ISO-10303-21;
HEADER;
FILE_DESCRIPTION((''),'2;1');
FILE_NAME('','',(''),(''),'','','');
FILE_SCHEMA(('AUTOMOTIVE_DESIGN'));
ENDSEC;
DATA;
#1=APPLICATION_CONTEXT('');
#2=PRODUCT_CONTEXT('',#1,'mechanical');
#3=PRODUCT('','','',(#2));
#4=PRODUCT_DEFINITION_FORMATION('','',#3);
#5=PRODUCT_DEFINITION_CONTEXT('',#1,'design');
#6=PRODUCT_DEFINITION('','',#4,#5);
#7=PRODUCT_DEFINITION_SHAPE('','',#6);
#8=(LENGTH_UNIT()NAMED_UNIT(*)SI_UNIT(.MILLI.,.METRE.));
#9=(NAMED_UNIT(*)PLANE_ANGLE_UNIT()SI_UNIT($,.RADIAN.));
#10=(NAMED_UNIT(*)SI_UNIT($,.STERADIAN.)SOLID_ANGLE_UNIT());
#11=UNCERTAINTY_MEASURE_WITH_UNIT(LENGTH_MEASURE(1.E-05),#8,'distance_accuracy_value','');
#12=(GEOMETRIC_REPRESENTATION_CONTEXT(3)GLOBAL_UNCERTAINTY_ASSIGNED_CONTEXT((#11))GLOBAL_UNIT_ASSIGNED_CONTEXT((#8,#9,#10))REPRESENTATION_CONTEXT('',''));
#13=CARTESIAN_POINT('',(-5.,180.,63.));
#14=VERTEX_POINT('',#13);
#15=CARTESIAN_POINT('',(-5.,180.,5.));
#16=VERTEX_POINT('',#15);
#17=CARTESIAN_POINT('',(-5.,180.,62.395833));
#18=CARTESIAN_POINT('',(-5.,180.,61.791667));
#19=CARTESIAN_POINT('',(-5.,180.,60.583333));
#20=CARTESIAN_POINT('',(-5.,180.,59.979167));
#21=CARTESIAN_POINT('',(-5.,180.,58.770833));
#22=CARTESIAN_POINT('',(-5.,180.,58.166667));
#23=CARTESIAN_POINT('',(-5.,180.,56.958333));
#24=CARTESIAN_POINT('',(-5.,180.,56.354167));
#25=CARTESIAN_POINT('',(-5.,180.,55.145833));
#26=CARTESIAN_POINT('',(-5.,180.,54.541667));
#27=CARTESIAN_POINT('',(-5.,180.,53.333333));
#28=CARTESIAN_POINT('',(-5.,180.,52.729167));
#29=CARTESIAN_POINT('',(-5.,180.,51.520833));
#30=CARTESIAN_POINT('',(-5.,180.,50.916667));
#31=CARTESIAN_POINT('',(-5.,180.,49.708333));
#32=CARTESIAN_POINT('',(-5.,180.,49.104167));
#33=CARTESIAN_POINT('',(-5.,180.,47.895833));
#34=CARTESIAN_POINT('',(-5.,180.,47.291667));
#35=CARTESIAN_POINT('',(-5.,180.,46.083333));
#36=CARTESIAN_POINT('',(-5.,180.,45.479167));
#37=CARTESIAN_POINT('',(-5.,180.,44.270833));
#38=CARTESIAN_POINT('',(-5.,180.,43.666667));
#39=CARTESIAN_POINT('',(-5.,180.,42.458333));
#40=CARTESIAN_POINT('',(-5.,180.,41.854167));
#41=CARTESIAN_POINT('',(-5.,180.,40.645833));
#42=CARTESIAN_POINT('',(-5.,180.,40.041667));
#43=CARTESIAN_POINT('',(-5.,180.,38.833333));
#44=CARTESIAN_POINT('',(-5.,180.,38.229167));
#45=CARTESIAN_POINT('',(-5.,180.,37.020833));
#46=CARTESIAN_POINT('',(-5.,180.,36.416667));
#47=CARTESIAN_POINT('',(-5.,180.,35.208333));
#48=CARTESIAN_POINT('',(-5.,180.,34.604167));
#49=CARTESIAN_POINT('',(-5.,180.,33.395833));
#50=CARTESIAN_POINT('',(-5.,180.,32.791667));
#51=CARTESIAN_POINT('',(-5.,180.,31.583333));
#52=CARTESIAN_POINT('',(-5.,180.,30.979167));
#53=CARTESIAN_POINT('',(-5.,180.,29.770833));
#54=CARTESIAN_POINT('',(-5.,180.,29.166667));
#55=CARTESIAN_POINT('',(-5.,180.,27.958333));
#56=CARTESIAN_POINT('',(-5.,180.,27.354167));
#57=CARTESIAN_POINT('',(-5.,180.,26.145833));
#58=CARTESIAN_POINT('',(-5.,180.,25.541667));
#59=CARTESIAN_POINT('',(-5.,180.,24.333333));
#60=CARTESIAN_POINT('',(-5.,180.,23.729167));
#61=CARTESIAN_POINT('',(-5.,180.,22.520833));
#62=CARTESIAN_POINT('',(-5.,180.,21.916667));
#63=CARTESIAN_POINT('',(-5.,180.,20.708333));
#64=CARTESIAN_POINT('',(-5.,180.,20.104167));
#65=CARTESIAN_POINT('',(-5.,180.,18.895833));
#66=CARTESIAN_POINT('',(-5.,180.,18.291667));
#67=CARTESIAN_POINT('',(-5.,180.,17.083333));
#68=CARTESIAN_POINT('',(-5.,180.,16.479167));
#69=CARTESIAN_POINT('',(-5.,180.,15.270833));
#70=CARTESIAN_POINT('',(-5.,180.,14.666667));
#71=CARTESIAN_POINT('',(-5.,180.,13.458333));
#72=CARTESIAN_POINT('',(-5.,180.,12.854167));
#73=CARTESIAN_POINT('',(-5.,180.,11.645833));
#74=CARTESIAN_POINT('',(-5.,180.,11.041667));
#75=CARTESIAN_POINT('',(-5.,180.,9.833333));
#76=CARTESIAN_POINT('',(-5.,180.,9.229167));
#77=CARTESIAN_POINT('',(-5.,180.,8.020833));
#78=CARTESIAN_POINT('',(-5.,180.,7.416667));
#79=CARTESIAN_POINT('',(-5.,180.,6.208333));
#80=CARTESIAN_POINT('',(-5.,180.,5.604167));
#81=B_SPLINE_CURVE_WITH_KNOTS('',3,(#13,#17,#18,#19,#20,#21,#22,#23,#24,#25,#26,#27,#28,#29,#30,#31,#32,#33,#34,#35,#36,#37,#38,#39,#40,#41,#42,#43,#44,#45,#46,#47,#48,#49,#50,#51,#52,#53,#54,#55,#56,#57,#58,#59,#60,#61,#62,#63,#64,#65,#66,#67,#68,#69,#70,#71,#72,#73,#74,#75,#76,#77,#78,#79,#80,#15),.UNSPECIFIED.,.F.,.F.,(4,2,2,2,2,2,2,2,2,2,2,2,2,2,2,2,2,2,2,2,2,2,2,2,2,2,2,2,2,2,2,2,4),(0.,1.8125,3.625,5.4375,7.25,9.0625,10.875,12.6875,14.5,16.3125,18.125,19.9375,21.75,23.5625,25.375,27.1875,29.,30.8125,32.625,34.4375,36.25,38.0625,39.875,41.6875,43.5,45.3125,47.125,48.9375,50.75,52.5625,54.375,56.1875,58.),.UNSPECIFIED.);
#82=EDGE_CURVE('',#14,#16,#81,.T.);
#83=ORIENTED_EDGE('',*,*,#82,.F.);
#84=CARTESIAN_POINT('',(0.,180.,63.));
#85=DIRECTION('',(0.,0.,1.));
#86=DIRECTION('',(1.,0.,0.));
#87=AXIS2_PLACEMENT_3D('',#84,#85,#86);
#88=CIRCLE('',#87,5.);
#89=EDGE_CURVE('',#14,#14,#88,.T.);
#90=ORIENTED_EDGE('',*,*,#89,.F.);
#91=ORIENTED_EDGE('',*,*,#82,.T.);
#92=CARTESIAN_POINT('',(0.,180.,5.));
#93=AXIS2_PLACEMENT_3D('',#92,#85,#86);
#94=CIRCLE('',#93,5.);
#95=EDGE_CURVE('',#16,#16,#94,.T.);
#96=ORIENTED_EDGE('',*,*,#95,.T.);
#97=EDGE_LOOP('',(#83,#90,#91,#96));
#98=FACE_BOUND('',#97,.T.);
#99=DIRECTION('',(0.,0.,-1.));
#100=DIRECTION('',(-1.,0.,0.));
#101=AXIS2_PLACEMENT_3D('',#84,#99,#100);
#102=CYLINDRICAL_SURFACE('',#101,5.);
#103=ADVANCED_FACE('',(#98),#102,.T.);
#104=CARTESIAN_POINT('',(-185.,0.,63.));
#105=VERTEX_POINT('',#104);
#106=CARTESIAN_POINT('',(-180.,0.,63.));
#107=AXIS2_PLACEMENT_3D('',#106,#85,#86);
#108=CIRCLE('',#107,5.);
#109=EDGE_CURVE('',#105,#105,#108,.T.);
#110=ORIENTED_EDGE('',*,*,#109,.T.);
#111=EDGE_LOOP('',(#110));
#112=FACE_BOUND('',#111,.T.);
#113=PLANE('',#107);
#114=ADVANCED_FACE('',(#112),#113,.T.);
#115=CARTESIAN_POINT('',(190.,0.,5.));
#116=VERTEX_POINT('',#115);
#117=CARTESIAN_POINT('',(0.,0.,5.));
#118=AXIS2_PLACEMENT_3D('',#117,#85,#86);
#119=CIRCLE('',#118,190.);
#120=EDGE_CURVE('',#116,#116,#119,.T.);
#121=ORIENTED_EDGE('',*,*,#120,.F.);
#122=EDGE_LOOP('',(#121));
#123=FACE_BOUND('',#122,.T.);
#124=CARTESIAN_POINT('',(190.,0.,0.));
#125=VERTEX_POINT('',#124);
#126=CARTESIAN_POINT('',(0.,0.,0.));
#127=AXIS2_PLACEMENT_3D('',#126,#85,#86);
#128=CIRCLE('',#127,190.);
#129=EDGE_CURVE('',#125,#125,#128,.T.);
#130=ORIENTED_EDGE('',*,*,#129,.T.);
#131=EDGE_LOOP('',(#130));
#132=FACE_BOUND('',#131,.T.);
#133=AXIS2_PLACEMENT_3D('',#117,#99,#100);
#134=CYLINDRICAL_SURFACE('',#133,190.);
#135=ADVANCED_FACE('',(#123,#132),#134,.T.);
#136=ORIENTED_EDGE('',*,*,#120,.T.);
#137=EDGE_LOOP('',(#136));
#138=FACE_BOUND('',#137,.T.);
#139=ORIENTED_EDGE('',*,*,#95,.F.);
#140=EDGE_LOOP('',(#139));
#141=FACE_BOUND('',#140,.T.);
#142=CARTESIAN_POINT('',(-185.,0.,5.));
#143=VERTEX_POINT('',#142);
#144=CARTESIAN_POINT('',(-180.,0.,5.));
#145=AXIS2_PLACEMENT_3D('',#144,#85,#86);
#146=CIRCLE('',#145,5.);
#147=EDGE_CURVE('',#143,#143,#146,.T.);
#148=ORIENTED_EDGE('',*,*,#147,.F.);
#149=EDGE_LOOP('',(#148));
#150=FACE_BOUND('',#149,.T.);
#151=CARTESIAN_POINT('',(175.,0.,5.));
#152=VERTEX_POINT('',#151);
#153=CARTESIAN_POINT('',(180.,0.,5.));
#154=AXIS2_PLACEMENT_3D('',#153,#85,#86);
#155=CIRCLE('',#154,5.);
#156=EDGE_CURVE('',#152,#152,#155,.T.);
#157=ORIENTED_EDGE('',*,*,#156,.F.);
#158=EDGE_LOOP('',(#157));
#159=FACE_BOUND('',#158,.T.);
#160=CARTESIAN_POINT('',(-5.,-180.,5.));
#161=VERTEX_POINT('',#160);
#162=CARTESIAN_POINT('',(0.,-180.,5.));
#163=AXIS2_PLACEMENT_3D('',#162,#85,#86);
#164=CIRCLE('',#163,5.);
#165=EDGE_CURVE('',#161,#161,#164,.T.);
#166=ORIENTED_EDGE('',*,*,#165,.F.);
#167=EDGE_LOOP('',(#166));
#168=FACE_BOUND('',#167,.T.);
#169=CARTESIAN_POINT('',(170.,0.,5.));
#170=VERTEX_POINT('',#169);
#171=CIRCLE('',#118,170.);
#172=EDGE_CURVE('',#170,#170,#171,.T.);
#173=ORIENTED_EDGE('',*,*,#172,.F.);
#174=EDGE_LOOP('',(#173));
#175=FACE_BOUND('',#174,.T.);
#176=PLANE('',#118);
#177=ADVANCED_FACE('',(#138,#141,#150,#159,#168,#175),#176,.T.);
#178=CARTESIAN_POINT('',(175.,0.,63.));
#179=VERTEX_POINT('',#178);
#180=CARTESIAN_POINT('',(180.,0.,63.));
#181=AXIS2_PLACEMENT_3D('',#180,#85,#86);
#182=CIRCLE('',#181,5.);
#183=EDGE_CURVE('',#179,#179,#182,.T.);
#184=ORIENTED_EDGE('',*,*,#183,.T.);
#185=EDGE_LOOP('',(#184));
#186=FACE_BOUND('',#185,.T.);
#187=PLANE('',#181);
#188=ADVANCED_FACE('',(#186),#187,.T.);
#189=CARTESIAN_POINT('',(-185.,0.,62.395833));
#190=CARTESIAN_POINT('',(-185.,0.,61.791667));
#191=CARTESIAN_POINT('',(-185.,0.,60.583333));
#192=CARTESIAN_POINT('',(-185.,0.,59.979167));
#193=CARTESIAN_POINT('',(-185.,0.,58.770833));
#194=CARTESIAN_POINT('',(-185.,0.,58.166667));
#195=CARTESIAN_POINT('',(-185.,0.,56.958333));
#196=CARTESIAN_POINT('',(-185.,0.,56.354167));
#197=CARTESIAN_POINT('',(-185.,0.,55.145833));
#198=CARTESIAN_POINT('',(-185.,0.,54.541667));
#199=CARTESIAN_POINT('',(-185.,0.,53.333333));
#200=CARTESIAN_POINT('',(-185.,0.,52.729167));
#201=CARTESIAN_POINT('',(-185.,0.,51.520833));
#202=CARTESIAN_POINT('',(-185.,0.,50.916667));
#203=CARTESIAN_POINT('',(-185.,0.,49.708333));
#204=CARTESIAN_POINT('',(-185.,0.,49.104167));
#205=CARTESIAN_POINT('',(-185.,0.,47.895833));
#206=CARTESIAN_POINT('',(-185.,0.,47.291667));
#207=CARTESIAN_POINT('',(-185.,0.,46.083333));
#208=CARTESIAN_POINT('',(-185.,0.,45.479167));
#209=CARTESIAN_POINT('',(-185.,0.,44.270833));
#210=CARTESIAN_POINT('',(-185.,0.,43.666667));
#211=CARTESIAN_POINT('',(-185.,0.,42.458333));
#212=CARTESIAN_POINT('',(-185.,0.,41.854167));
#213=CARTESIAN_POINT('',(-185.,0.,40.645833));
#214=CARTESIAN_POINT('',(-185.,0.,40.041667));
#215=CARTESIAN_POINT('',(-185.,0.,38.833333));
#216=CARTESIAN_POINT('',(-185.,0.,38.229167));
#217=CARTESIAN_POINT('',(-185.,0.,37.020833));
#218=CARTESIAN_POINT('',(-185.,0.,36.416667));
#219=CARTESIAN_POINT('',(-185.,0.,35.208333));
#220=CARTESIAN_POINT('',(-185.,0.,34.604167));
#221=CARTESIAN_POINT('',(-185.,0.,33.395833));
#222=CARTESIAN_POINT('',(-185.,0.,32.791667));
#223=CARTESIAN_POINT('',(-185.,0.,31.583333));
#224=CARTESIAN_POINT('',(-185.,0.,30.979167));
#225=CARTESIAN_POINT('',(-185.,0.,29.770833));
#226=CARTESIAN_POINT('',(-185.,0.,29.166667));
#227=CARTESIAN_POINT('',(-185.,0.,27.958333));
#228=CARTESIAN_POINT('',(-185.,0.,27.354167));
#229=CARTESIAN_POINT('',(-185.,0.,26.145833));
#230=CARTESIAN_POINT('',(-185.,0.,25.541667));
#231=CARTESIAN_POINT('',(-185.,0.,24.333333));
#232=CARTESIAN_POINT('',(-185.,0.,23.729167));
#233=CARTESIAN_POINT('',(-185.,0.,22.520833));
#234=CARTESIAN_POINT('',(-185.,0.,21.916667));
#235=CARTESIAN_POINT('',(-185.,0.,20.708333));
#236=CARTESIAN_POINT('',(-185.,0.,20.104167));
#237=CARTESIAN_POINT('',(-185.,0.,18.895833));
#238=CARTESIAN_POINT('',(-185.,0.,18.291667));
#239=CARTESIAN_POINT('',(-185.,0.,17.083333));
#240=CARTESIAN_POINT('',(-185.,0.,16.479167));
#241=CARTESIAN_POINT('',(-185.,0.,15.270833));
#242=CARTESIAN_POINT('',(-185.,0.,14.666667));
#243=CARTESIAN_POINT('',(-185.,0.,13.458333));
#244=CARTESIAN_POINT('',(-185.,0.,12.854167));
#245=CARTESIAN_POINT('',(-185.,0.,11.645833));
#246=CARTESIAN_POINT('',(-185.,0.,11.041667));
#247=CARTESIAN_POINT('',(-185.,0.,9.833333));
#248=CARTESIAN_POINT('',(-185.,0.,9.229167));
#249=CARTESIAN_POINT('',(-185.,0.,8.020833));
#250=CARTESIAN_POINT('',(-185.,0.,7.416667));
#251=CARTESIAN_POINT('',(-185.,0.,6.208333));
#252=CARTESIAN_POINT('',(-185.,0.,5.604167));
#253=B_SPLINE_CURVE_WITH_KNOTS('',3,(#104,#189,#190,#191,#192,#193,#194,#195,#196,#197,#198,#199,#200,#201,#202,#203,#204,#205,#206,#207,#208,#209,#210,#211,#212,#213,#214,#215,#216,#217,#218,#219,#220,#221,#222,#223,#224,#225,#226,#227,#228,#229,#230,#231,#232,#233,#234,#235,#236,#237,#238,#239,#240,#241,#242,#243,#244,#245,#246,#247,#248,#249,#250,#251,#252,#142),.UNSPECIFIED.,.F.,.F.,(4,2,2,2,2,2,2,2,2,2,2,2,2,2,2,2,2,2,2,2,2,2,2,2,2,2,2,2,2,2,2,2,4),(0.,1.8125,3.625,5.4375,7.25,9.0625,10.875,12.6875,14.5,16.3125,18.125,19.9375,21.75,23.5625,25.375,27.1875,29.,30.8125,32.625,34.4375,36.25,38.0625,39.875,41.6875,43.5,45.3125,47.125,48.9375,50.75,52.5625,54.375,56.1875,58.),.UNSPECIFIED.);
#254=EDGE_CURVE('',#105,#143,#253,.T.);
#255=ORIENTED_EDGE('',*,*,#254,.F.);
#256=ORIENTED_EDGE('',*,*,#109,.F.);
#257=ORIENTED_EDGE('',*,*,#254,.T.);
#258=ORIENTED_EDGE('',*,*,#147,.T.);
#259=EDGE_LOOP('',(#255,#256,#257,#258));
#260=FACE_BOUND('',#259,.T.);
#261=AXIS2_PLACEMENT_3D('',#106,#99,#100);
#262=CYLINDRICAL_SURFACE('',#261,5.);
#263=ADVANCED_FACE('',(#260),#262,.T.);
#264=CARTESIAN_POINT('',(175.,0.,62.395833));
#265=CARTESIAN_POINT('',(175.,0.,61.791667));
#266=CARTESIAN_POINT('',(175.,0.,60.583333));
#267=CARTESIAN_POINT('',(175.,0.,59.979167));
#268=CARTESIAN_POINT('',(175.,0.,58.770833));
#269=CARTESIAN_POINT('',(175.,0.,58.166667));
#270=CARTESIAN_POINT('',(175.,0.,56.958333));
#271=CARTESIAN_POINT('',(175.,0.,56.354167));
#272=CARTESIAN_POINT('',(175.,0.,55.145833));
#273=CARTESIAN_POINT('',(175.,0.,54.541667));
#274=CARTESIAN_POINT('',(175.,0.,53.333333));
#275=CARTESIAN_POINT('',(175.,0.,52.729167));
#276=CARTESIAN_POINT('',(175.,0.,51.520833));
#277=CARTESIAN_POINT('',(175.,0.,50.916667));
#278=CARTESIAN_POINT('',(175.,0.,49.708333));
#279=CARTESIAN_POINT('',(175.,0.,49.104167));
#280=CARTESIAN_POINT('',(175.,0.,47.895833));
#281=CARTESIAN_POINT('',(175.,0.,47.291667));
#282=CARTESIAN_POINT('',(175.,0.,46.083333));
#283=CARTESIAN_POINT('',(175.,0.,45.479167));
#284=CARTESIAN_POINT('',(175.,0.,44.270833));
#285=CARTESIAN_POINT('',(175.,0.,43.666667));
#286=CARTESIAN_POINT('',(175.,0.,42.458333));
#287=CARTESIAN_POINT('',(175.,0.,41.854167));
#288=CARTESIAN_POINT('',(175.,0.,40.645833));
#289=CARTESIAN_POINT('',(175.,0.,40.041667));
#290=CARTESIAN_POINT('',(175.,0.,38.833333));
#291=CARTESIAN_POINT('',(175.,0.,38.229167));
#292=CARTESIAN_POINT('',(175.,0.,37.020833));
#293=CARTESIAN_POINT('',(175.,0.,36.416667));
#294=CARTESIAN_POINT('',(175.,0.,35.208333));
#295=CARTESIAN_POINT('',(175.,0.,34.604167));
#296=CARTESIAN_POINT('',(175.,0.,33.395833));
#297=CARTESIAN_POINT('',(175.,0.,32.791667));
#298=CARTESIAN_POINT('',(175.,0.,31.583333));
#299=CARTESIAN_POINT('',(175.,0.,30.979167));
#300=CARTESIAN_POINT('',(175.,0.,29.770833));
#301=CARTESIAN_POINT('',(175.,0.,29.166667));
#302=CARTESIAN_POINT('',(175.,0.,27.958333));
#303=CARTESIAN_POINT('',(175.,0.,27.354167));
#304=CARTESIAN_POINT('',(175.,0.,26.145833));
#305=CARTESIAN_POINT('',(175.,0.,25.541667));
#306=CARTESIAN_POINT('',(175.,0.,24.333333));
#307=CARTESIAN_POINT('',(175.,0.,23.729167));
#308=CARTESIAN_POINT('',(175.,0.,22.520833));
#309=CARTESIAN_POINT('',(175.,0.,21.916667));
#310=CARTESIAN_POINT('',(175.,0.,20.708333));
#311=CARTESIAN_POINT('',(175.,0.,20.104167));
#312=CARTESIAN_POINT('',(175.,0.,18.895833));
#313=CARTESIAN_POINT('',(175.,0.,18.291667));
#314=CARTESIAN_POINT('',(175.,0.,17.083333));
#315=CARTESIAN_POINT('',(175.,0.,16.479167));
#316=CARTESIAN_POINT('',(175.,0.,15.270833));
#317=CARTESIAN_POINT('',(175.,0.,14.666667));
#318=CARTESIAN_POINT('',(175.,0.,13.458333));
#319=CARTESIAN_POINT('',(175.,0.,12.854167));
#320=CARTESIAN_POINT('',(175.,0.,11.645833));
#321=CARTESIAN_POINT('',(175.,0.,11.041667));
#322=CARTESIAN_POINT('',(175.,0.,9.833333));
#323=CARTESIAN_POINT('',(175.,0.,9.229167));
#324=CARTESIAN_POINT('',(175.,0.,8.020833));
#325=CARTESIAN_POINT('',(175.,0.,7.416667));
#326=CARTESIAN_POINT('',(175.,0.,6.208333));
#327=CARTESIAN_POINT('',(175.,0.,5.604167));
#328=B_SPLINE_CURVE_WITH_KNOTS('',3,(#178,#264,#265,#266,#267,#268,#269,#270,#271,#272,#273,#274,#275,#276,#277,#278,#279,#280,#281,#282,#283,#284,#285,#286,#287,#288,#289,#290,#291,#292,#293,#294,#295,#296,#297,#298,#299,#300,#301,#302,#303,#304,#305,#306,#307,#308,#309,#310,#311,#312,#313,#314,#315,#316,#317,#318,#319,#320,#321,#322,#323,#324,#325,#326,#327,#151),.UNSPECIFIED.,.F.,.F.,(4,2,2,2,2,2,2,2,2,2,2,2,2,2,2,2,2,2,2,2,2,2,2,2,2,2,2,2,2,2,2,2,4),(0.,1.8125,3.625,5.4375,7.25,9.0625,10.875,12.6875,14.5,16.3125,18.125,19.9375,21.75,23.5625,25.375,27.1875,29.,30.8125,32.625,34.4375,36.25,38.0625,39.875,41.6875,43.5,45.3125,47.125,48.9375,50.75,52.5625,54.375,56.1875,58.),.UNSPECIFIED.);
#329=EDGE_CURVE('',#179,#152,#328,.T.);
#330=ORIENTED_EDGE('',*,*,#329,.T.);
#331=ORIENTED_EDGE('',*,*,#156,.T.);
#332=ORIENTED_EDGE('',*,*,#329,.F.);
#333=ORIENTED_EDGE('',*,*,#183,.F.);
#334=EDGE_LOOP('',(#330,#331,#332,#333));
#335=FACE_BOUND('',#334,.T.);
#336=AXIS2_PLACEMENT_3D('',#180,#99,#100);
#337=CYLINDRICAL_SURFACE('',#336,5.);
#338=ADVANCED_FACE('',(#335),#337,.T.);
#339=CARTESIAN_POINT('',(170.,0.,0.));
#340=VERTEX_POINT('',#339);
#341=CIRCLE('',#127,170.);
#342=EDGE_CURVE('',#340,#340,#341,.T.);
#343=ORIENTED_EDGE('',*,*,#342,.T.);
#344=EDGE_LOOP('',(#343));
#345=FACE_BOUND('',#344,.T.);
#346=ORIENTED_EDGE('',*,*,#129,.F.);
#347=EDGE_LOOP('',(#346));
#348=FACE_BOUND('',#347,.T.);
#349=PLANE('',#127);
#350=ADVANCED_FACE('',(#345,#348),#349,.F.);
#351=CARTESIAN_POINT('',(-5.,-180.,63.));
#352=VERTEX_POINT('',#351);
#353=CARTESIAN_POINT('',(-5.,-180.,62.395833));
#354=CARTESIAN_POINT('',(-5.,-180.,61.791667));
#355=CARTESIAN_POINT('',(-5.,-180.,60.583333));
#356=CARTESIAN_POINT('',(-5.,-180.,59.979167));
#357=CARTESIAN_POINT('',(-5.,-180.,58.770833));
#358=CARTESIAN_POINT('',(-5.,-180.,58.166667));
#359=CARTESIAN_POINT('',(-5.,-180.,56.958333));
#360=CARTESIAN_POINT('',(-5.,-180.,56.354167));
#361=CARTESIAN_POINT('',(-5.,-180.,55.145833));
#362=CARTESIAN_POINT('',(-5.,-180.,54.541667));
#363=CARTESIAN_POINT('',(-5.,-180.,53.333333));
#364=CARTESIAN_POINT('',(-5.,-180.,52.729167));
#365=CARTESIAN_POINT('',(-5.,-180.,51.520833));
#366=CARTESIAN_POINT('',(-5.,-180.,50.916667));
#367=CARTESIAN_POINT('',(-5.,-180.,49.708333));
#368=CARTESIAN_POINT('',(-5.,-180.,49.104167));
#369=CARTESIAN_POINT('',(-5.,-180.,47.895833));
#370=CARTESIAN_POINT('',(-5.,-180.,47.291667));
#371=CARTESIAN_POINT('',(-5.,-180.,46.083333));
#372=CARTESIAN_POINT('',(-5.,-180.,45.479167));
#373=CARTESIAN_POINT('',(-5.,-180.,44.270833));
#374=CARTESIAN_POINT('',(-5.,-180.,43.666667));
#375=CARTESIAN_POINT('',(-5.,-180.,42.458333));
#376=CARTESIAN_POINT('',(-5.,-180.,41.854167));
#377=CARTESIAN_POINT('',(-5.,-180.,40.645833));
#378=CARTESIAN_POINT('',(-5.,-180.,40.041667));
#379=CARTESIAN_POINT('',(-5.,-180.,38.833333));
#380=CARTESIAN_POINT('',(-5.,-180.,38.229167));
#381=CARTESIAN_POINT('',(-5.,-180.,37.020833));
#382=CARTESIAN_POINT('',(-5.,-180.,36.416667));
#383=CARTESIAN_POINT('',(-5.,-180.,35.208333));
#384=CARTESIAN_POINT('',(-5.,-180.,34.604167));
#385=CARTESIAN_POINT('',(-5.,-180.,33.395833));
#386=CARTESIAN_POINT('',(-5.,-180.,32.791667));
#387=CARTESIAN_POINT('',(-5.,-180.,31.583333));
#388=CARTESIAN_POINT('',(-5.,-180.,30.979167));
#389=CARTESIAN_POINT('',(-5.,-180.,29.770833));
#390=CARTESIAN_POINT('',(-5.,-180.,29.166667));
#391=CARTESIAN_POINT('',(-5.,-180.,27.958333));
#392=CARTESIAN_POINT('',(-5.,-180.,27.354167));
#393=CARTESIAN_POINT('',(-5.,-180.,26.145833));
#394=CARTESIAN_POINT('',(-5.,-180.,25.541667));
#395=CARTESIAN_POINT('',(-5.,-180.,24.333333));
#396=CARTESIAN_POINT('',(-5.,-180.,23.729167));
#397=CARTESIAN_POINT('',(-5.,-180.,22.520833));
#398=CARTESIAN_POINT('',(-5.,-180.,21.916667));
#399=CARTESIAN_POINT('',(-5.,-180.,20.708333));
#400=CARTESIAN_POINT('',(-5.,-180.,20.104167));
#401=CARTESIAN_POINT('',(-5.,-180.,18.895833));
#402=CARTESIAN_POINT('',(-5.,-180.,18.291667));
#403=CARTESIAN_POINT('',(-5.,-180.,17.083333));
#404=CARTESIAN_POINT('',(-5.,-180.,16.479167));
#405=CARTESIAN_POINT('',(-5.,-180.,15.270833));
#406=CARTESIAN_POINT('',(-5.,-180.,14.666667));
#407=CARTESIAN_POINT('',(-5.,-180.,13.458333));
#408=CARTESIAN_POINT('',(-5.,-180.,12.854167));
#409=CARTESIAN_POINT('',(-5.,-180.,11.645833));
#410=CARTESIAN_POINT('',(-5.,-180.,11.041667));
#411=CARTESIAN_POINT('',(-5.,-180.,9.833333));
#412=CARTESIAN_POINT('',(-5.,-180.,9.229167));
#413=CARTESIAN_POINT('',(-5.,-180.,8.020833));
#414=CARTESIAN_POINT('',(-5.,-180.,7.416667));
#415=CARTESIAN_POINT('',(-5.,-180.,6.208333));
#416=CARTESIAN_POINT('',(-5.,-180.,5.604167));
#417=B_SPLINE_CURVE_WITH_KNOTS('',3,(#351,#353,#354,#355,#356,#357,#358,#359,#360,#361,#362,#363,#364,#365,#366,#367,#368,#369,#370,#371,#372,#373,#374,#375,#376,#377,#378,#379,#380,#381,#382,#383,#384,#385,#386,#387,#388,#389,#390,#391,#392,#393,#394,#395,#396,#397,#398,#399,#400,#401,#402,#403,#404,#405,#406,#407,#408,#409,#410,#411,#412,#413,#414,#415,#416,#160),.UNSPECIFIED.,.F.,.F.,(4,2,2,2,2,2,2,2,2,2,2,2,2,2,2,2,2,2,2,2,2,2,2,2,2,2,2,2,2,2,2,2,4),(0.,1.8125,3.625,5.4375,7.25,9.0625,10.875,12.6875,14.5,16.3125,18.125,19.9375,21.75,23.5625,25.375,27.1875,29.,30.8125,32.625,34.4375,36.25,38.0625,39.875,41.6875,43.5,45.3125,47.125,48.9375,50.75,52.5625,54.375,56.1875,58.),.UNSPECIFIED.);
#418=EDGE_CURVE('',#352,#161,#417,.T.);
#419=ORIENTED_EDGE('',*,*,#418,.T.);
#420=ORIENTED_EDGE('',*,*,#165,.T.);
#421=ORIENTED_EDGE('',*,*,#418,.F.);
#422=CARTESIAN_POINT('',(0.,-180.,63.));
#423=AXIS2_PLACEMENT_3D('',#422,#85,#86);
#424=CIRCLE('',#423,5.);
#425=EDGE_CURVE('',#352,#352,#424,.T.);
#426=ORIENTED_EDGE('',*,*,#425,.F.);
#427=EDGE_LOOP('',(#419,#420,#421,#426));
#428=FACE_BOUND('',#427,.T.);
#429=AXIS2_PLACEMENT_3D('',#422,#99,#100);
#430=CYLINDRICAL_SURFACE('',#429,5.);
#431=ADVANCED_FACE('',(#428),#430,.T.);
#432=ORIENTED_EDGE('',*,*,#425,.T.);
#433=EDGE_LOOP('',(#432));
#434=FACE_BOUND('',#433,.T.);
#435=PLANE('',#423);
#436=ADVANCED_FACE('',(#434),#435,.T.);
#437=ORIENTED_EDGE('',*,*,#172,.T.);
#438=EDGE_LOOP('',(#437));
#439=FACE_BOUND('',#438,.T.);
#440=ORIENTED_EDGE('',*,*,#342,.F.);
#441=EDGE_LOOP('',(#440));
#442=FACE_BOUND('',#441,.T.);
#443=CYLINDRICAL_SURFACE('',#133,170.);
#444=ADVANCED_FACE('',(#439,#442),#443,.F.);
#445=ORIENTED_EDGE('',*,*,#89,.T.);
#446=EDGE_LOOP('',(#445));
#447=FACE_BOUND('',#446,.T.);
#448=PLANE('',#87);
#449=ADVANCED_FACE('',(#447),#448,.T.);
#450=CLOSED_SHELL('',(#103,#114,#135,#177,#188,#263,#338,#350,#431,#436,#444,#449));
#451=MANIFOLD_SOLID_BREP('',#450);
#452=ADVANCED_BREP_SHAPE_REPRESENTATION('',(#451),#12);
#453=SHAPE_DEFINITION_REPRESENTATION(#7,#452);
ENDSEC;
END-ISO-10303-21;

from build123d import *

# Parameters (mm, degrees)
SKETCH_1_R      = 190
SKETCH_1_R_2    = 170
EXTRUDE_2_DEPTH = 5
SKETCH_2_R      = 5
EXTRUDE_3_DEPTH = 58


with BuildPart() as part:
    # 草图1 → 凸台-拉伸2 (new body)
    with BuildSketch(Plane.XY):
        Circle(SKETCH_1_R)
        Circle(SKETCH_1_R_2, mode=Mode.SUBTRACT)
    extrude(amount=EXTRUDE_2_DEPTH)

    # 草图2 → 凸台-拉伸3 (add)
    with BuildSketch(Plane.XY.offset(5)):
        with Locations(Location((0, 180, 0), (0, 0, 180))):
            Circle(SKETCH_2_R)
        with Locations(Location((-180, 0, 0), (0, 0, 180))):
            Circle(SKETCH_2_R)
        with Locations(Location((0, -180, 0), (0, 0, 180))):
            Circle(SKETCH_2_R)
        with Locations(Location((180, 0, 0), (0, 0, 180))):
            Circle(SKETCH_2_R)
    extrude(amount=EXTRUDE_3_DEPTH)


solid = part.part
